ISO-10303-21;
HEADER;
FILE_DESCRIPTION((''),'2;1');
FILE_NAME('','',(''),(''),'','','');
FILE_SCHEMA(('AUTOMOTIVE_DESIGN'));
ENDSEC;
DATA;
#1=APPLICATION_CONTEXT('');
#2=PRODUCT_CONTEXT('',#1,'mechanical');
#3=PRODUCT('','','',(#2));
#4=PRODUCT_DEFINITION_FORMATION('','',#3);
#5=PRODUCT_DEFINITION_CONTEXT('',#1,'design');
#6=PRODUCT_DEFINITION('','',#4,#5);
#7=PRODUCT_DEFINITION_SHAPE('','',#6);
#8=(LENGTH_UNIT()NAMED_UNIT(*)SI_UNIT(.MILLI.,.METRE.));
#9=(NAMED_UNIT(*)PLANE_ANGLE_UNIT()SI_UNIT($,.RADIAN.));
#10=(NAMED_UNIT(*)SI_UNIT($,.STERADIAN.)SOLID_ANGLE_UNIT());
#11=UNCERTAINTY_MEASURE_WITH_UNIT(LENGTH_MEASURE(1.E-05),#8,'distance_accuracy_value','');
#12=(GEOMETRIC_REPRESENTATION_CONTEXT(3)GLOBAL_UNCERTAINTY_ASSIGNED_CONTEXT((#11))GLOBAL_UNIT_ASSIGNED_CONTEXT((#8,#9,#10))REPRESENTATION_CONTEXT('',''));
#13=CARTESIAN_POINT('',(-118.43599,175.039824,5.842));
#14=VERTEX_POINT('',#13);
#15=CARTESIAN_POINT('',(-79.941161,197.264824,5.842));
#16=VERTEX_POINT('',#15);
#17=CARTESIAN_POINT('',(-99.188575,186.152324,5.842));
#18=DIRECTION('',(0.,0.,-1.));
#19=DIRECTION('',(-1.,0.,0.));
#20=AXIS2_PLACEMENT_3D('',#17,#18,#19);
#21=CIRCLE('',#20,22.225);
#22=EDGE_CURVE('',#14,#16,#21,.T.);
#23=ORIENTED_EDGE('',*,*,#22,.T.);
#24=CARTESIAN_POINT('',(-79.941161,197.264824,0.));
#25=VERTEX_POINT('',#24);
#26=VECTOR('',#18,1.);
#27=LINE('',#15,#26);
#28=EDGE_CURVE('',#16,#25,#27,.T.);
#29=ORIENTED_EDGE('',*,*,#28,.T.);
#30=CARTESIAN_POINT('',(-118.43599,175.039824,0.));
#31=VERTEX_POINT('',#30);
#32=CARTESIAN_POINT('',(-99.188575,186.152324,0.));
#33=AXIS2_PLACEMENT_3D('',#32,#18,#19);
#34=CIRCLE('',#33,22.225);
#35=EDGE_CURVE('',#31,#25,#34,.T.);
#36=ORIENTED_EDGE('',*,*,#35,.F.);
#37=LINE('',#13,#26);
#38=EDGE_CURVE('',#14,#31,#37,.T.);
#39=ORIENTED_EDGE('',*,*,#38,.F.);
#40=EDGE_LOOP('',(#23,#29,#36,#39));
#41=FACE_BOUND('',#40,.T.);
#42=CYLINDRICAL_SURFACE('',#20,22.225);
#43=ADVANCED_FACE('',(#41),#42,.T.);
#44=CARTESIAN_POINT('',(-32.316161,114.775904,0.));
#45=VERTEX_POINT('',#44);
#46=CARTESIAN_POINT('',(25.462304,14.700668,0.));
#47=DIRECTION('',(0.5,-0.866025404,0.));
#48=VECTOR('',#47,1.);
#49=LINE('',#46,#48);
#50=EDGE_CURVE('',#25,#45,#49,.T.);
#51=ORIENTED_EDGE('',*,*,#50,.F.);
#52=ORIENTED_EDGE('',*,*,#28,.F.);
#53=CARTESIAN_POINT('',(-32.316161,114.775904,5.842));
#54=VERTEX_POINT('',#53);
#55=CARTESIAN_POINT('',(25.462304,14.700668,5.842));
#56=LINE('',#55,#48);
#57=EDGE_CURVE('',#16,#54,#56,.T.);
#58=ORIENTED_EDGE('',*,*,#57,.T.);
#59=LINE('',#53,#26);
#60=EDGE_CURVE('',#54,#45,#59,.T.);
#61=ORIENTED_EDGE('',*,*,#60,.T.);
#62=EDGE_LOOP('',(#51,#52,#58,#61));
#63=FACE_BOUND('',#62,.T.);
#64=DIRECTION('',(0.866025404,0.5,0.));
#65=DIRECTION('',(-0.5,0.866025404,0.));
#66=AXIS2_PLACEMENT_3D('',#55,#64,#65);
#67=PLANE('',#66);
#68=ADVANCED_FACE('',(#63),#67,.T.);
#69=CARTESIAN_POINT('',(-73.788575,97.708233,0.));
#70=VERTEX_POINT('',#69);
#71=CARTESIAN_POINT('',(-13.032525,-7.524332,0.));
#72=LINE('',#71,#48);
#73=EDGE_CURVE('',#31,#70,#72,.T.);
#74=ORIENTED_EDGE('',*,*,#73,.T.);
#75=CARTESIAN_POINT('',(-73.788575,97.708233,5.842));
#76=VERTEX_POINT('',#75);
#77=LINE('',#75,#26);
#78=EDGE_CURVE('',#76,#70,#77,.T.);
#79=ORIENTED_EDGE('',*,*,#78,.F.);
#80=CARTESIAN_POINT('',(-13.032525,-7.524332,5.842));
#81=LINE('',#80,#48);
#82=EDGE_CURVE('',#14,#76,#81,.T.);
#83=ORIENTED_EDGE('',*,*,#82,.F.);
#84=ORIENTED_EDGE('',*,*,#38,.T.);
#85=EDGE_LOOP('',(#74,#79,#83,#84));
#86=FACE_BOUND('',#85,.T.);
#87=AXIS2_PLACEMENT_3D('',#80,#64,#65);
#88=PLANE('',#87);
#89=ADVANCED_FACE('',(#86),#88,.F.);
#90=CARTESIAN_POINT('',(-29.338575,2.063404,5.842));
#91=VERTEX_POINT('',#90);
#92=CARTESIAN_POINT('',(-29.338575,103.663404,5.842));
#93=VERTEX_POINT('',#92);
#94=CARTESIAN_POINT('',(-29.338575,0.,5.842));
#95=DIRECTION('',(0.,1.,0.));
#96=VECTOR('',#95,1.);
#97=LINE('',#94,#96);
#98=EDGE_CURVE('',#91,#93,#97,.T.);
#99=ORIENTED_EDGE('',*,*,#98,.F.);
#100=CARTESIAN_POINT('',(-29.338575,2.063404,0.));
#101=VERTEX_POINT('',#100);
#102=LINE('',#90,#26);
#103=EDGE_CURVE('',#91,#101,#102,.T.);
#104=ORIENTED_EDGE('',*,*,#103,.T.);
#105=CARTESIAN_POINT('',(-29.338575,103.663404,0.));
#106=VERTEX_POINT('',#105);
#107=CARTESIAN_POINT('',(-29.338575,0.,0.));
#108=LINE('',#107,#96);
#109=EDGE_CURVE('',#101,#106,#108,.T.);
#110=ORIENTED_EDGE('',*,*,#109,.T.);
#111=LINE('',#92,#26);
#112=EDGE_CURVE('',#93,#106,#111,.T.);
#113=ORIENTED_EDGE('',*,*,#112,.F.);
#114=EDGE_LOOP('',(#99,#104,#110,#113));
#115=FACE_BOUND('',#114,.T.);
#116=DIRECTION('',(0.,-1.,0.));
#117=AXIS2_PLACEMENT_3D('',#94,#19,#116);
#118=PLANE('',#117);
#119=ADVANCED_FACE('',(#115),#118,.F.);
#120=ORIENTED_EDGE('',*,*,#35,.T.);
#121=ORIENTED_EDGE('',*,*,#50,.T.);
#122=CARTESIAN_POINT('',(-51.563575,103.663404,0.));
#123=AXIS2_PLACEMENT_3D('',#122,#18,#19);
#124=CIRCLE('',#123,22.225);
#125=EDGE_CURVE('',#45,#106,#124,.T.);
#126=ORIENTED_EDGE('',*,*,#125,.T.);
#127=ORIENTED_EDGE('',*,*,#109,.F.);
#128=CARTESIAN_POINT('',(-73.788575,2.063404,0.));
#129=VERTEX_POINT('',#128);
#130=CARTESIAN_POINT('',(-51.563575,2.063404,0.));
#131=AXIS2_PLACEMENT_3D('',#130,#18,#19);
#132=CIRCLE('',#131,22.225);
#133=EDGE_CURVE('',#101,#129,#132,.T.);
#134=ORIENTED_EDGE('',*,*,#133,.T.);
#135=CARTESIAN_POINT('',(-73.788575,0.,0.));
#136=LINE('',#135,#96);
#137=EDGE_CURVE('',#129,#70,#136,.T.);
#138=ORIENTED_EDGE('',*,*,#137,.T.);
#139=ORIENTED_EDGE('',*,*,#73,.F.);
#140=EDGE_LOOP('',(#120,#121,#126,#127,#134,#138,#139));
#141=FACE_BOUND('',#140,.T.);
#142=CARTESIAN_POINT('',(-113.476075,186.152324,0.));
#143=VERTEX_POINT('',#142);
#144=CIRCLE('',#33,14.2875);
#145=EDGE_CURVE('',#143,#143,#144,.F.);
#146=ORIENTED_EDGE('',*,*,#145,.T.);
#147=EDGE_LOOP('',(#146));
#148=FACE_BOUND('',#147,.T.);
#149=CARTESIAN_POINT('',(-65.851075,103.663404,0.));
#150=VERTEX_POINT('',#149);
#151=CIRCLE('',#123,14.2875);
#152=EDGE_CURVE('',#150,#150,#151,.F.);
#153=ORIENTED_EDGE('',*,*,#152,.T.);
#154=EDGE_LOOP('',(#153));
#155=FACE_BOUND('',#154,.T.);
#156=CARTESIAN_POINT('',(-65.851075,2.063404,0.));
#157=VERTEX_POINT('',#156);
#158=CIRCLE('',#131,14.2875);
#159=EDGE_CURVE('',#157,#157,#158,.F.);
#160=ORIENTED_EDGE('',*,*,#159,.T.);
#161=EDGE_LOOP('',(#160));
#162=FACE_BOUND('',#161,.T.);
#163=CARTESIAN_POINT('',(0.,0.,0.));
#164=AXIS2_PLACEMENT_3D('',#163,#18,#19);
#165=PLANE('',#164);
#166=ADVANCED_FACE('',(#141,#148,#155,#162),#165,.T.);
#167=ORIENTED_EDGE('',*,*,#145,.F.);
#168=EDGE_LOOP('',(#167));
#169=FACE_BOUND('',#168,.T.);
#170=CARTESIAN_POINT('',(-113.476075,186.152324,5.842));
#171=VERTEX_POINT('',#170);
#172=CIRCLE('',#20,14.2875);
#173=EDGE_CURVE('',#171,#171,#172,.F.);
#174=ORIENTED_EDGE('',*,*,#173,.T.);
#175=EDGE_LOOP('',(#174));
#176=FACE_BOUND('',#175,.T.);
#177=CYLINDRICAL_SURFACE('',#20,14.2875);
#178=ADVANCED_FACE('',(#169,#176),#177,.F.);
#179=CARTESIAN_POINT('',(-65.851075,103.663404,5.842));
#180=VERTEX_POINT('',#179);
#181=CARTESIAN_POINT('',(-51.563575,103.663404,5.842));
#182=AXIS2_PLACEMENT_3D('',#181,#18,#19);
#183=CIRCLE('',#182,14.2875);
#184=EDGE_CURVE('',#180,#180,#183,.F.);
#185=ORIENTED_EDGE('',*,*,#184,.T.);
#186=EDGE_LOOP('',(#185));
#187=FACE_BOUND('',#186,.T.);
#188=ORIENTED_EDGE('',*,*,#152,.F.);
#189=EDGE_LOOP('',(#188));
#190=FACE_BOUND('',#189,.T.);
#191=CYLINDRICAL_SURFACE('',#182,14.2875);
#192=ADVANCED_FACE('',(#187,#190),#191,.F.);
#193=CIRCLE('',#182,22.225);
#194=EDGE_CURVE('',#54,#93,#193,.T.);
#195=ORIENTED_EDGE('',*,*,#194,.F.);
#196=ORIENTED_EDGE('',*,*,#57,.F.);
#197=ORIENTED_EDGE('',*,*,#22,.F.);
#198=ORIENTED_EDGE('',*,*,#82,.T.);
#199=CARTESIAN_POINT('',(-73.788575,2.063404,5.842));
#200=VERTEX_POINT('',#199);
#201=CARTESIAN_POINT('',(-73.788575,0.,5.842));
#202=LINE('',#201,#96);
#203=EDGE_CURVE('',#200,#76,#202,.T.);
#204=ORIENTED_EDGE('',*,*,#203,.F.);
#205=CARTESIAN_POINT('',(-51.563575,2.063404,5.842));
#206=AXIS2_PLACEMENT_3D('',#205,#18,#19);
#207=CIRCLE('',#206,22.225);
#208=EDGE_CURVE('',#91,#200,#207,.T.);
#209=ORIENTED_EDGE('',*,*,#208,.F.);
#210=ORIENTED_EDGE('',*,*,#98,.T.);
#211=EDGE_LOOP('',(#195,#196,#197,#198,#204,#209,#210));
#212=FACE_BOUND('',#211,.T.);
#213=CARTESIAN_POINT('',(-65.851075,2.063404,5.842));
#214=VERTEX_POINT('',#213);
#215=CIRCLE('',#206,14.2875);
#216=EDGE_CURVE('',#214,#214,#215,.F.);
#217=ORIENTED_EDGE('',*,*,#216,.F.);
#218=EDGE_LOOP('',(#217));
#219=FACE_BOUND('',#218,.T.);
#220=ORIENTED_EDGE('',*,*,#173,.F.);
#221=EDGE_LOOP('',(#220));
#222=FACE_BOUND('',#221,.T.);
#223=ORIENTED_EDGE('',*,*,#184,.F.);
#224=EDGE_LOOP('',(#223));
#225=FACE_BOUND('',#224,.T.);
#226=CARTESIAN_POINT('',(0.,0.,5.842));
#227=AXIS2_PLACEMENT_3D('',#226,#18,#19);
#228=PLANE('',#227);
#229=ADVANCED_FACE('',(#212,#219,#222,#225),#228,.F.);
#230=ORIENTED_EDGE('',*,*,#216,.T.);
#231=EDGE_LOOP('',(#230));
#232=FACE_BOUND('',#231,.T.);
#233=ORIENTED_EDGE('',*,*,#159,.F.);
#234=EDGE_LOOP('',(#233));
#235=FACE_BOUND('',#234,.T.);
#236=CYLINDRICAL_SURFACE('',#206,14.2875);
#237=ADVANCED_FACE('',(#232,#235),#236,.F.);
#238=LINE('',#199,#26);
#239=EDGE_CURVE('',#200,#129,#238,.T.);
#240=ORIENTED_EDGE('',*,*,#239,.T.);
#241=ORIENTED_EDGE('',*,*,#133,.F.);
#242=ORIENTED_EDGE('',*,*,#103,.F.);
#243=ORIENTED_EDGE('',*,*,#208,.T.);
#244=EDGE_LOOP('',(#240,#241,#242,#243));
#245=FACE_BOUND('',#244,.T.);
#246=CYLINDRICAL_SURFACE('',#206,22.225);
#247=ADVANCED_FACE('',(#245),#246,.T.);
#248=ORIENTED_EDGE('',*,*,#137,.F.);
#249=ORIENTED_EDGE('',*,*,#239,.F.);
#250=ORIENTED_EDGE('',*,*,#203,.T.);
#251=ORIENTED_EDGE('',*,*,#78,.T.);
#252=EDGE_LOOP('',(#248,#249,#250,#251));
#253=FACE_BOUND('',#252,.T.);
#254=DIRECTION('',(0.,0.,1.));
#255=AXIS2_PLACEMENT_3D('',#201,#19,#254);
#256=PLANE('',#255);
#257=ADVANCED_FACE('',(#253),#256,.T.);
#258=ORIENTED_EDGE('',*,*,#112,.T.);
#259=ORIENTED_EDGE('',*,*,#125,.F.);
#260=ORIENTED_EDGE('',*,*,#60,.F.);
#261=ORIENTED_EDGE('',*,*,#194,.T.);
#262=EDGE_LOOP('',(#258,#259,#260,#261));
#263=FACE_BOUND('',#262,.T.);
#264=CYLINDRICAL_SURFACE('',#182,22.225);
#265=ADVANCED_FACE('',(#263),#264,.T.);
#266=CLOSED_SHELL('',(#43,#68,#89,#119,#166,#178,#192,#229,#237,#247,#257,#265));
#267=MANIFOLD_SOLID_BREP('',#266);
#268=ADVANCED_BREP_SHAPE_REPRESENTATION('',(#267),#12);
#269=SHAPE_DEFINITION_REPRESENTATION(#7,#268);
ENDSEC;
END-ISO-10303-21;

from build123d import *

# Parameters (mm, degrees)
SKETCH1_R           = 14.2875
BOSS_EXTRUDE1_DEPTH = 5.842


with BuildPart() as part:
    # Sketch1 → Boss-Extrude1 (new body)
    with BuildSketch(Plane(origin=(0, 0, 0), x_dir=(-1, 0, 0), z_dir=(0, 0, -1))):
        with BuildLine():
            Line((73.788575358, 2.063404121), (73.788575358, 97.70823332))
            Line((73.788575358, 97.70823332), (118.435989957, 175.039823832))
            ThreePointArc((118.435989957, 175.039823832), (110.301075358, 205.399738431), (79.941160759, 197.264823832))
            Line((79.941160759, 197.264823832), (32.316160759, 114.775904121))
            ThreePointArc((32.316160759, 114.775904121), (30.095873869, 109.415657399), (29.338575358, 103.663404121))
            Line((29.338575358, 103.663404121), (29.338575358, 2.063404121))
            ThreePointArc((29.338575358, 2.063404121), (51.563575358, -20.161595879), (73.788575358, 2.063404121))
        make_face()
        with Locations((51.563575358, 2.063404121)):
            Circle(SKETCH1_R, mode=Mode.SUBTRACT)
        with Locations((51.563575358, 103.663404121)):
            Circle(SKETCH1_R, mode=Mode.SUBTRACT)
        with Locations((99.188575358, 186.152323832)):
            Circle(SKETCH1_R, mode=Mode.SUBTRACT)
    extrude(amount=-BOSS_EXTRUDE1_DEPTH)


solid = part.part
